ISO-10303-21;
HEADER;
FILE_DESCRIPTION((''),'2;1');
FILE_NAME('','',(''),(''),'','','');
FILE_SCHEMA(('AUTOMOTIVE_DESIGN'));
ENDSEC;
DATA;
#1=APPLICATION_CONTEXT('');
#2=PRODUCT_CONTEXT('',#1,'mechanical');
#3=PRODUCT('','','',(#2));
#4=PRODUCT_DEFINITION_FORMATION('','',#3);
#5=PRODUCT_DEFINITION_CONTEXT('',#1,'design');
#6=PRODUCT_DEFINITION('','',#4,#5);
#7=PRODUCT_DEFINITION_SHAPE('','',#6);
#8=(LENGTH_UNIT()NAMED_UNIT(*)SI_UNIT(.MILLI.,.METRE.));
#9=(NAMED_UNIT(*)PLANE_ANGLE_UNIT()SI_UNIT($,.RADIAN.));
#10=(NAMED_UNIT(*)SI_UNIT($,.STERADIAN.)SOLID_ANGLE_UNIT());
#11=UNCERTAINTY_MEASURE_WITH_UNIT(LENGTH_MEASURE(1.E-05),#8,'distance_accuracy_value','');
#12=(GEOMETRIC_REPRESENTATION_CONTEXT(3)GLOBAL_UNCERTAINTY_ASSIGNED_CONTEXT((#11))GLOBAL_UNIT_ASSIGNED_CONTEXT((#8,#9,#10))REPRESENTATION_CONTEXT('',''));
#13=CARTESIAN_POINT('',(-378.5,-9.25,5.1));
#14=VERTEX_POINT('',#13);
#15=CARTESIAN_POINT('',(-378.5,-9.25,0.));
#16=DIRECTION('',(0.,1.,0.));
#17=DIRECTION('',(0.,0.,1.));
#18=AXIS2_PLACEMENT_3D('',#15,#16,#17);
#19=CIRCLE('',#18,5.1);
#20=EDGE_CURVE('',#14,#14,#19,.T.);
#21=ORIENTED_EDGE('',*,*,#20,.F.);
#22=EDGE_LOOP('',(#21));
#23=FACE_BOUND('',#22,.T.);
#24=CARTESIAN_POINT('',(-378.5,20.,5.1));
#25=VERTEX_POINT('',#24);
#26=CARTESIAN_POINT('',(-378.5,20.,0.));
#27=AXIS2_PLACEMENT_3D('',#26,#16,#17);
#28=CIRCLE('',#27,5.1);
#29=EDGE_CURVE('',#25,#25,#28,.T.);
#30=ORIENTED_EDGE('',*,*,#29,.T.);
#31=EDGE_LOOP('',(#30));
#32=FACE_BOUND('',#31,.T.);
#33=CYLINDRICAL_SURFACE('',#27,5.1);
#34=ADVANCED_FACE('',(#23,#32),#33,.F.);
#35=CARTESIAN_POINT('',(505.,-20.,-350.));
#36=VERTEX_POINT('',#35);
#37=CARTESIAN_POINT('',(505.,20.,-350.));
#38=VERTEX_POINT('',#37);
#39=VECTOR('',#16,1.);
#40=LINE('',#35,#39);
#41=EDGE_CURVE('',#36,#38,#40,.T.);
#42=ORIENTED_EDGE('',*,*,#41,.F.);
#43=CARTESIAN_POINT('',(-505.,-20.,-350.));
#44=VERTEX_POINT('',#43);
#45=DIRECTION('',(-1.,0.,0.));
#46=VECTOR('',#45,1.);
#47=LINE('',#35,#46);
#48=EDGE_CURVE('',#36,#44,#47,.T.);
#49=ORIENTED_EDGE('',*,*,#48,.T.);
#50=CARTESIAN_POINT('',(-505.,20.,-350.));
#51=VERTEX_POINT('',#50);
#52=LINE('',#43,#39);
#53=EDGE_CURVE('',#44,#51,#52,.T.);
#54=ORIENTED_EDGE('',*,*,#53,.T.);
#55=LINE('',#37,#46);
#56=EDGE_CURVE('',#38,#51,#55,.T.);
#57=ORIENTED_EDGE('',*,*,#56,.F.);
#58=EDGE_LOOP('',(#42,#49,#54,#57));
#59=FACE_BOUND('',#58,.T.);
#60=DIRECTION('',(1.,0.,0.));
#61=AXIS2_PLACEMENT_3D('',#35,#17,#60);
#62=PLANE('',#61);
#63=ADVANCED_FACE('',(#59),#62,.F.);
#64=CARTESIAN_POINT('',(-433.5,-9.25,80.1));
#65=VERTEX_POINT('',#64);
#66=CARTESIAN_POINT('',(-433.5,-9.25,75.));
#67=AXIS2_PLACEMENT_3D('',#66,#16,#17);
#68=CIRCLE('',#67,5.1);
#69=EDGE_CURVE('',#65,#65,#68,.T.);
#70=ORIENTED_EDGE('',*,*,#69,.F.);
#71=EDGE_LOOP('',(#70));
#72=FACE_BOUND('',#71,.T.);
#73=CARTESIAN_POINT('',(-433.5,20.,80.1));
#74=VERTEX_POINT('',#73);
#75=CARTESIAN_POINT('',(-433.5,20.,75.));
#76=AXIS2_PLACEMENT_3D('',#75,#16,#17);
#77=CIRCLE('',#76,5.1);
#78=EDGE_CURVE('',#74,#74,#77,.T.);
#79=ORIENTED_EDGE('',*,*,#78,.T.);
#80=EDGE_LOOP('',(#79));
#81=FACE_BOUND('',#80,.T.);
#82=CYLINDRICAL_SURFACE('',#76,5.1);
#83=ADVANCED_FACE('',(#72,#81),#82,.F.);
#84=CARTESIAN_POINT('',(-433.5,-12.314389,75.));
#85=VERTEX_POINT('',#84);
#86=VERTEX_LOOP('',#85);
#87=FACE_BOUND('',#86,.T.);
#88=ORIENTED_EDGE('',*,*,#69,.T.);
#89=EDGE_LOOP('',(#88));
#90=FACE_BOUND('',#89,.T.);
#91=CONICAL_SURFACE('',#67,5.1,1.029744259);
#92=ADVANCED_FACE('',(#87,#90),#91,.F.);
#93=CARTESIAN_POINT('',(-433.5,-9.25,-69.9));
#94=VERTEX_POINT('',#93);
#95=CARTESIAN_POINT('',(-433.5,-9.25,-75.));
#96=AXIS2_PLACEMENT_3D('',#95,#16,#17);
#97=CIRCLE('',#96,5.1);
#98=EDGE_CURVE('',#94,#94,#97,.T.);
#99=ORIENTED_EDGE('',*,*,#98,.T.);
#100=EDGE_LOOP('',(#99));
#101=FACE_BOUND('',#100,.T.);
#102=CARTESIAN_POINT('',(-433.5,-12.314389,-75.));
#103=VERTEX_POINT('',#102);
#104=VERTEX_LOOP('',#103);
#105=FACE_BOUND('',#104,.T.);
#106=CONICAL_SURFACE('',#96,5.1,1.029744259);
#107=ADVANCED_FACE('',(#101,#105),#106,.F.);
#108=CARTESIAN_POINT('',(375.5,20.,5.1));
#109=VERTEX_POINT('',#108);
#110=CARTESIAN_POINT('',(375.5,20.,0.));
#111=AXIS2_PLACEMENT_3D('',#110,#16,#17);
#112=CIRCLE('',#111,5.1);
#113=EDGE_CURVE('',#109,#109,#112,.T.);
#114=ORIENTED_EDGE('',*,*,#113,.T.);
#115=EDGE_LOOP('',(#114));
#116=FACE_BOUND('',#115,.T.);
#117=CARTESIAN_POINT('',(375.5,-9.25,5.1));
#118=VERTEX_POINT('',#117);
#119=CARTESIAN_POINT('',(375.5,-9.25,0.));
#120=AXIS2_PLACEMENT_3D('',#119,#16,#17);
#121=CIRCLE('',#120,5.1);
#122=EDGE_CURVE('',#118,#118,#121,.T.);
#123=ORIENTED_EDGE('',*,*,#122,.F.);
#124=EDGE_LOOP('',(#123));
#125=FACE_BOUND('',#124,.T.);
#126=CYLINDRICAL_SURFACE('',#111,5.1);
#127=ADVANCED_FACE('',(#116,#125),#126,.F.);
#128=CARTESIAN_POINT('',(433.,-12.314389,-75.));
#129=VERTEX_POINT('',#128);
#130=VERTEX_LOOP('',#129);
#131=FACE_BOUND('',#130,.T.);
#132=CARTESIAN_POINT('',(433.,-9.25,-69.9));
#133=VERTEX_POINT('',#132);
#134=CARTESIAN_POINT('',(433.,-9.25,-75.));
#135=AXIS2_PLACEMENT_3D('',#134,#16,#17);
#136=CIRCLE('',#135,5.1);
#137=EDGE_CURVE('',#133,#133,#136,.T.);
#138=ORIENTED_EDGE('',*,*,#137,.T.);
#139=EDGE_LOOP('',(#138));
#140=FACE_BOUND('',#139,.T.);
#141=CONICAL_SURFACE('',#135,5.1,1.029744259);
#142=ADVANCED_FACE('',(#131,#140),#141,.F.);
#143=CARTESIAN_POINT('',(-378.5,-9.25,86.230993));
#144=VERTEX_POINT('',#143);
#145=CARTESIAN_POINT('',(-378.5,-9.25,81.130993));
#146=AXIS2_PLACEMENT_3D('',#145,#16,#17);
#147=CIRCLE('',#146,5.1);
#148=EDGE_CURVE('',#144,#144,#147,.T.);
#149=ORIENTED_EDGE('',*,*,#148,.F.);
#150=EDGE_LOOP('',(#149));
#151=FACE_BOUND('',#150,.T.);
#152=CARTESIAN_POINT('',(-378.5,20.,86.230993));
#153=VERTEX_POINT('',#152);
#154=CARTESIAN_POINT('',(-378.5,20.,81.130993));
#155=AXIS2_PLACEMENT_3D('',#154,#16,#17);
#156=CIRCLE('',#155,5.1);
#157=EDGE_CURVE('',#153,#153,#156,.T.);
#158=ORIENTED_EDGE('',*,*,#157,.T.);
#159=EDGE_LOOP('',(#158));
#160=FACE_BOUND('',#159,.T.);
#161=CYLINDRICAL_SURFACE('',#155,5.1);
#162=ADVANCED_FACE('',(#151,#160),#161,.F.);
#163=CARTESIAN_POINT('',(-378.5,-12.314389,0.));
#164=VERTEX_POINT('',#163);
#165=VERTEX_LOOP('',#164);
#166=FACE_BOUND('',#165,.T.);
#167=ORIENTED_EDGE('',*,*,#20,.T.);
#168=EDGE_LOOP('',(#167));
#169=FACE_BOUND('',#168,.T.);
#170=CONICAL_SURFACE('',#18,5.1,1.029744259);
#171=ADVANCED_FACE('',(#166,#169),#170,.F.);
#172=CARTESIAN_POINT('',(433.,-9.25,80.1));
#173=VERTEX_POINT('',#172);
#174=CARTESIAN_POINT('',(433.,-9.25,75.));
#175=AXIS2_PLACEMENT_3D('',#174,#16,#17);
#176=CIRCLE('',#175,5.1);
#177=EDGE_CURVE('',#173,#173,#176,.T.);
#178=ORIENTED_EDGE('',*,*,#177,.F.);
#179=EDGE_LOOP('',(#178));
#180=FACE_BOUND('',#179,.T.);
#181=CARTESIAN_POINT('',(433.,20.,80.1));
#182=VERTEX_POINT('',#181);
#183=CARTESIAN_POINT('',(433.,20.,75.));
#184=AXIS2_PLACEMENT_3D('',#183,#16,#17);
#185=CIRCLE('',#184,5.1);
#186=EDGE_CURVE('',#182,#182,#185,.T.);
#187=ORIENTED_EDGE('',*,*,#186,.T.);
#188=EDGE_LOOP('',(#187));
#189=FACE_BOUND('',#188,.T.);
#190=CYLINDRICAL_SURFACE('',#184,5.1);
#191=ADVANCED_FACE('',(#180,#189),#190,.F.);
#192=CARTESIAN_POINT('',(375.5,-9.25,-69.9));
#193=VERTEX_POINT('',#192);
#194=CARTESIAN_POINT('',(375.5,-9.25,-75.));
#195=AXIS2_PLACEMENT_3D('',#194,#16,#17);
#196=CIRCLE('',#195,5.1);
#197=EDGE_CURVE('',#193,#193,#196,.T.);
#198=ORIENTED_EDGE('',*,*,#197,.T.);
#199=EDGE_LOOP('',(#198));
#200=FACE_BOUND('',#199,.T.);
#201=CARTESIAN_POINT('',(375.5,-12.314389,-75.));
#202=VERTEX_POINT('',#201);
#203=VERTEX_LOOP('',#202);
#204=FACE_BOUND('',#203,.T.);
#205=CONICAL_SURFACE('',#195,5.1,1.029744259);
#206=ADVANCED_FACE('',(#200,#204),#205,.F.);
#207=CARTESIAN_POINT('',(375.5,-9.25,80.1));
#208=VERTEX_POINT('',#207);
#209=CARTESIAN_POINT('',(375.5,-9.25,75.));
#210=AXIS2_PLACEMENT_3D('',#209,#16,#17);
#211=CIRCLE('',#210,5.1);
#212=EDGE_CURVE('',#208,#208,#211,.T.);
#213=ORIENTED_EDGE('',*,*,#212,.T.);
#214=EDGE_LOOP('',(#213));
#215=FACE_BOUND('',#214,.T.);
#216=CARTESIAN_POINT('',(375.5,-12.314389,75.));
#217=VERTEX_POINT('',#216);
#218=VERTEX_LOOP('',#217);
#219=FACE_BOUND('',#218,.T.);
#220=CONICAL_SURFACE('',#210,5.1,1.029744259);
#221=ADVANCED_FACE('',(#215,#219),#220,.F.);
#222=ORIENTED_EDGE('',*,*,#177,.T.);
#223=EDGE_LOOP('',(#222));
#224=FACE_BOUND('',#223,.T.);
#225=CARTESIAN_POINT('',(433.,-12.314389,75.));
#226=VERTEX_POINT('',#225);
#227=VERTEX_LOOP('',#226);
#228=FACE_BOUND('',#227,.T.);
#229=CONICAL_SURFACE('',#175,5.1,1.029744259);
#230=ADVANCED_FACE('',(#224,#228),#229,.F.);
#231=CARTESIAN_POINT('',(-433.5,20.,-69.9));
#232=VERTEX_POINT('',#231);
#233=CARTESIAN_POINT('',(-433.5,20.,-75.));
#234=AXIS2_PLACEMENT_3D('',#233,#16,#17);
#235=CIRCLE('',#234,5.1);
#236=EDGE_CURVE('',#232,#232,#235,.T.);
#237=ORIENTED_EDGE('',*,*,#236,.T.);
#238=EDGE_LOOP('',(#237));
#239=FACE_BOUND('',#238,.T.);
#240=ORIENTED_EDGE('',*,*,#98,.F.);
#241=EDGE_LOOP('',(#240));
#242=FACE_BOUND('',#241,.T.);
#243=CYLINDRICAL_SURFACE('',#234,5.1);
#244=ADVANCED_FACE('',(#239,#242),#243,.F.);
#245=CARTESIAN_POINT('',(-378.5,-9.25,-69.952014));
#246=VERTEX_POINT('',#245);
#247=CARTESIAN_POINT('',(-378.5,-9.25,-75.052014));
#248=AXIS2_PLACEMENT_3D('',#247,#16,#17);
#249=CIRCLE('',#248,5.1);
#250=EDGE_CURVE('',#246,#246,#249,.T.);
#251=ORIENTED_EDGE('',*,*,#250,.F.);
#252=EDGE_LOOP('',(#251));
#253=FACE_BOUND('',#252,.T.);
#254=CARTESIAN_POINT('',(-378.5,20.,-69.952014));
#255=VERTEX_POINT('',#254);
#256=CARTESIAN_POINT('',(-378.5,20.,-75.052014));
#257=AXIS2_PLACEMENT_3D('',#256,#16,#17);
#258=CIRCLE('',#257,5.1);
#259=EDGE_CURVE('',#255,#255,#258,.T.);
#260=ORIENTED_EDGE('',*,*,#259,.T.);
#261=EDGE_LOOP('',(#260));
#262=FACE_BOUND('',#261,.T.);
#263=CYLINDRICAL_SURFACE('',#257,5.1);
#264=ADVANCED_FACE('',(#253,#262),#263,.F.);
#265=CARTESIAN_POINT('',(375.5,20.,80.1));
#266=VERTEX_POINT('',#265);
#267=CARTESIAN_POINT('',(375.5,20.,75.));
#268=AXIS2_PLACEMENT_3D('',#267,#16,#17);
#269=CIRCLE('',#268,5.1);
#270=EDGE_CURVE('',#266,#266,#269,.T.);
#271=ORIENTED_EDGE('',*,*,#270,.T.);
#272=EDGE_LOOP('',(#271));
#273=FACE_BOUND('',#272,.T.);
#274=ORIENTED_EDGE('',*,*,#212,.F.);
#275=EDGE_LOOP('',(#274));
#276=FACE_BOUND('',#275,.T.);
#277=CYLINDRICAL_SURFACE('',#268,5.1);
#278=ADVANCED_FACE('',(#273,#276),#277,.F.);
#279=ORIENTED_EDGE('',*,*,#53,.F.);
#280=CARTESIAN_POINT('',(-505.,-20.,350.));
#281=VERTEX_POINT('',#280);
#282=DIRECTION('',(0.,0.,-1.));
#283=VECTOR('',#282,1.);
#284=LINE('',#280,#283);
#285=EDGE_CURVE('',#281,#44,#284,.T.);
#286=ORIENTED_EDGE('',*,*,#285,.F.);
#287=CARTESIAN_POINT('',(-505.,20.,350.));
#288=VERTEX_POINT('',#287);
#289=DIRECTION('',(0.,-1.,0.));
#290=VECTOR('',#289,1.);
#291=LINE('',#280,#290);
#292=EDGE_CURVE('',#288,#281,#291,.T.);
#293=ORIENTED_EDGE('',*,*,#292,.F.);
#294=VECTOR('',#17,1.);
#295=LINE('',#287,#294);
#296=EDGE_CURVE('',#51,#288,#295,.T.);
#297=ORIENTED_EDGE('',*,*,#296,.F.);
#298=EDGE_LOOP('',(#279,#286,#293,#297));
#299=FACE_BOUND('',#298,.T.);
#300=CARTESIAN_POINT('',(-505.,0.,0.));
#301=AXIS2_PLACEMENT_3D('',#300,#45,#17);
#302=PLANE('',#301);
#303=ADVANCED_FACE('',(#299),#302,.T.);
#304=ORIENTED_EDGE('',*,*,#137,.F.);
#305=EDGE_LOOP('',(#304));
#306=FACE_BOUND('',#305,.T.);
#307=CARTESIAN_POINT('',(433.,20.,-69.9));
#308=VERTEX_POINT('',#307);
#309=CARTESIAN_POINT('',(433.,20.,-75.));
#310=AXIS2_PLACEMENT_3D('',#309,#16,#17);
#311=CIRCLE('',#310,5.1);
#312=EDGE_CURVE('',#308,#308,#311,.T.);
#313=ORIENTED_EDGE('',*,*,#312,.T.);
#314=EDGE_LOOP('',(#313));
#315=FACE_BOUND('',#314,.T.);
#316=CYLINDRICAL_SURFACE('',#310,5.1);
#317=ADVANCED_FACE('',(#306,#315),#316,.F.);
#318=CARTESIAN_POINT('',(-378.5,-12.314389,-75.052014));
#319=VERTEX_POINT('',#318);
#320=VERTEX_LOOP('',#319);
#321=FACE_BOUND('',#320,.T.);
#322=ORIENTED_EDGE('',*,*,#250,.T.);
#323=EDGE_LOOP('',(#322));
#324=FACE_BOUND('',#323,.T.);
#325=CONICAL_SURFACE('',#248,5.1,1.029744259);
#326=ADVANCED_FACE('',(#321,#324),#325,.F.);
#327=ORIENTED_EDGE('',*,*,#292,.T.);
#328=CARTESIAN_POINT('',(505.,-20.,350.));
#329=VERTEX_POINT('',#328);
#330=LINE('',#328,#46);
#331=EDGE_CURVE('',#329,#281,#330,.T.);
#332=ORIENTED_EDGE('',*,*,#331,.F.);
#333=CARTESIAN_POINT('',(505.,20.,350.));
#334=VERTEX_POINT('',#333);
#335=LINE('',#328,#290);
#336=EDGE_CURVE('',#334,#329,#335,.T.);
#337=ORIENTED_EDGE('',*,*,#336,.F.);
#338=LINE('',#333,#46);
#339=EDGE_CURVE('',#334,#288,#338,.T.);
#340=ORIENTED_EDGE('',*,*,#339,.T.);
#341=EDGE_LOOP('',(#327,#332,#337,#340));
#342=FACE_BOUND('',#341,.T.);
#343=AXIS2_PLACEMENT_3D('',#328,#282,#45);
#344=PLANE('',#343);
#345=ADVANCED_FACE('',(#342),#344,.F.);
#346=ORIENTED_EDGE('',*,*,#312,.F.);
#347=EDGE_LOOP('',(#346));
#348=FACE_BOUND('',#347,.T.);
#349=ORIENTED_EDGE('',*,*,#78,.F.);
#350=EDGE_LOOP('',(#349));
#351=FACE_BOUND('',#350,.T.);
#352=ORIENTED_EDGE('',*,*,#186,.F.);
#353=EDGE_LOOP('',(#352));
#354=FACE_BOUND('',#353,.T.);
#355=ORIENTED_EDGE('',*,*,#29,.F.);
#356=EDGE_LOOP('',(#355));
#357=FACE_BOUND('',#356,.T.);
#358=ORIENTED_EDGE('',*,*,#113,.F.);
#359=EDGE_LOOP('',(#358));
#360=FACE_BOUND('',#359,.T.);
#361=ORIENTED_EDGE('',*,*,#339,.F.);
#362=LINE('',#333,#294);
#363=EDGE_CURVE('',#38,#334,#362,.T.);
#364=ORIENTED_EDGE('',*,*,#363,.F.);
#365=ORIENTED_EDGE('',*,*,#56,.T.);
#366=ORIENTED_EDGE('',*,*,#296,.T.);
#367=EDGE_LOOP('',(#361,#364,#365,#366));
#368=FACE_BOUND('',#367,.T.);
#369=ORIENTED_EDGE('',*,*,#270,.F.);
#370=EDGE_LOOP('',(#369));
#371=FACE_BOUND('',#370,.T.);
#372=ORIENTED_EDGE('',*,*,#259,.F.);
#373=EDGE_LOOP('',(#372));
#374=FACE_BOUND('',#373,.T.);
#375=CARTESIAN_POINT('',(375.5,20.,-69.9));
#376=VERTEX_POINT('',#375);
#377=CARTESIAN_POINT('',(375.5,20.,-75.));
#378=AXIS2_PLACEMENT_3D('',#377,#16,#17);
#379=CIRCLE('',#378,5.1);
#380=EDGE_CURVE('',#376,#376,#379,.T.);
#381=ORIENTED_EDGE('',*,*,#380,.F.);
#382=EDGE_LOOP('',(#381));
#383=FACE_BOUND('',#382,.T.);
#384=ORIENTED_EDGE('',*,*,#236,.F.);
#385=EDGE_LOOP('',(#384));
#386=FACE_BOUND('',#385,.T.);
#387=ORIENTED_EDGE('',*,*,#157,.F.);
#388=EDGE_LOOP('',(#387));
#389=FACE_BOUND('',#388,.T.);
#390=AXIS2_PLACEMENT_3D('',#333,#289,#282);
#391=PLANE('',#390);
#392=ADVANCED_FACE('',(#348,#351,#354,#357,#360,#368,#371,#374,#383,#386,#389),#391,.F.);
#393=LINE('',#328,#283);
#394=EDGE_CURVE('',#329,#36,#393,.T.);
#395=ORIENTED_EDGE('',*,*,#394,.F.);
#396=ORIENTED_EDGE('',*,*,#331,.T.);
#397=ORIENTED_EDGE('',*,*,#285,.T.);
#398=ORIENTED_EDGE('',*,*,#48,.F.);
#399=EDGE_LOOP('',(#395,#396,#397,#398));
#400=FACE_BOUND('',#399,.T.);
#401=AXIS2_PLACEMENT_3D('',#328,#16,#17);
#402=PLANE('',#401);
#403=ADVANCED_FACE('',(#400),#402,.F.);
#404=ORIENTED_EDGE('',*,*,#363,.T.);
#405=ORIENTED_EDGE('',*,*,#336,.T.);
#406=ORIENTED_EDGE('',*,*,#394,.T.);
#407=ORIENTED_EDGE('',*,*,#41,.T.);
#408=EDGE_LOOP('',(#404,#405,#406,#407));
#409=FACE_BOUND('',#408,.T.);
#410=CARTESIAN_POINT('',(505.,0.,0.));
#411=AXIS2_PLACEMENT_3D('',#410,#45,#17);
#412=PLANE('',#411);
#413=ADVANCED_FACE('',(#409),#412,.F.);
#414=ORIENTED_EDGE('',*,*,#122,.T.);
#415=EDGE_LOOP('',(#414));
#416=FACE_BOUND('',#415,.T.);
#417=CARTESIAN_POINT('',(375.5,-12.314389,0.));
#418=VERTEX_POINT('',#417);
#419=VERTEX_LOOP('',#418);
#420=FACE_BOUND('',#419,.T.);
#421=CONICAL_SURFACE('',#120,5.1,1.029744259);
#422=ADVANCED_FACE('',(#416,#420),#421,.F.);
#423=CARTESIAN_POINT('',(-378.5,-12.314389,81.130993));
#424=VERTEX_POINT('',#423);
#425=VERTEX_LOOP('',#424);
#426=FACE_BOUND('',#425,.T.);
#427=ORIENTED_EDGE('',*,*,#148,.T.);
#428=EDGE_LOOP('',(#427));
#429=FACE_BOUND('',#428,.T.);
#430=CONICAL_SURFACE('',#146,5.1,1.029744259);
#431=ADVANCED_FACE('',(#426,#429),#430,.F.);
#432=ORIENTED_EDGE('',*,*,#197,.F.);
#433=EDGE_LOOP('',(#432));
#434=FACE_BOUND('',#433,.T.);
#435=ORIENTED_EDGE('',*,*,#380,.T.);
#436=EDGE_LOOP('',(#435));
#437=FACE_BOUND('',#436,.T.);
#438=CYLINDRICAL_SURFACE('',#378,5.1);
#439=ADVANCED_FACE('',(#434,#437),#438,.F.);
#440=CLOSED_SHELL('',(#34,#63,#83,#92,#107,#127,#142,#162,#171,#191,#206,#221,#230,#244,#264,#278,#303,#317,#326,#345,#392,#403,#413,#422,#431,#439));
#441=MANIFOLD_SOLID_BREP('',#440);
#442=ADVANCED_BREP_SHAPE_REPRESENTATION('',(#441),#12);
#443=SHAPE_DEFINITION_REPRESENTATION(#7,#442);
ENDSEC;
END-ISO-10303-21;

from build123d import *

# Parameters (mm, degrees)
SKETCH1_W              = 700
SKETCH1_H              = 40
BOSS_EXTRUDE1_DEPTH    = 505
M12_TAPPED_HOLE1_D     = 10.2
M12_TAPPED_HOLE1_DEPTH = 29.25
M12_TAPPED_HOLE1_TIP   = 3.064389157


with BuildPart() as part:
    # Sketch1 → Boss-Extrude1 (new, symmetric)
    with BuildSketch(Plane(origin=(0, 0, 0), x_dir=(0, 0, -1), z_dir=(1, 0, 0))):
        Rectangle(SKETCH1_W, SKETCH1_H)
    extrude(amount=BOSS_EXTRUDE1_DEPTH, both=True)

    # M12 Tapped Hole1
    with Locations(Plane(origin=(0, 20, 0), x_dir=(1, 0, 0), z_dir=(0, 1, 0))):
        with Locations((-378.5, 75.052013766), (-433.5, 75), (-378.5, -81.130993075), (-433.5, -75), (433, 75), (375.5, 75), (433, -75), (375.5, -75), (375.5, 0), (-378.5, 0)):
            Hole(M12_TAPPED_HOLE1_D / 2, depth=M12_TAPPED_HOLE1_DEPTH)
            with Locations((0, 0, -(M12_TAPPED_HOLE1_DEPTH + M12_TAPPED_HOLE1_TIP / 2))):  # 118° drill point
                Cone(0, M12_TAPPED_HOLE1_D / 2, M12_TAPPED_HOLE1_TIP, mode=Mode.SUBTRACT)


solid = part.part
